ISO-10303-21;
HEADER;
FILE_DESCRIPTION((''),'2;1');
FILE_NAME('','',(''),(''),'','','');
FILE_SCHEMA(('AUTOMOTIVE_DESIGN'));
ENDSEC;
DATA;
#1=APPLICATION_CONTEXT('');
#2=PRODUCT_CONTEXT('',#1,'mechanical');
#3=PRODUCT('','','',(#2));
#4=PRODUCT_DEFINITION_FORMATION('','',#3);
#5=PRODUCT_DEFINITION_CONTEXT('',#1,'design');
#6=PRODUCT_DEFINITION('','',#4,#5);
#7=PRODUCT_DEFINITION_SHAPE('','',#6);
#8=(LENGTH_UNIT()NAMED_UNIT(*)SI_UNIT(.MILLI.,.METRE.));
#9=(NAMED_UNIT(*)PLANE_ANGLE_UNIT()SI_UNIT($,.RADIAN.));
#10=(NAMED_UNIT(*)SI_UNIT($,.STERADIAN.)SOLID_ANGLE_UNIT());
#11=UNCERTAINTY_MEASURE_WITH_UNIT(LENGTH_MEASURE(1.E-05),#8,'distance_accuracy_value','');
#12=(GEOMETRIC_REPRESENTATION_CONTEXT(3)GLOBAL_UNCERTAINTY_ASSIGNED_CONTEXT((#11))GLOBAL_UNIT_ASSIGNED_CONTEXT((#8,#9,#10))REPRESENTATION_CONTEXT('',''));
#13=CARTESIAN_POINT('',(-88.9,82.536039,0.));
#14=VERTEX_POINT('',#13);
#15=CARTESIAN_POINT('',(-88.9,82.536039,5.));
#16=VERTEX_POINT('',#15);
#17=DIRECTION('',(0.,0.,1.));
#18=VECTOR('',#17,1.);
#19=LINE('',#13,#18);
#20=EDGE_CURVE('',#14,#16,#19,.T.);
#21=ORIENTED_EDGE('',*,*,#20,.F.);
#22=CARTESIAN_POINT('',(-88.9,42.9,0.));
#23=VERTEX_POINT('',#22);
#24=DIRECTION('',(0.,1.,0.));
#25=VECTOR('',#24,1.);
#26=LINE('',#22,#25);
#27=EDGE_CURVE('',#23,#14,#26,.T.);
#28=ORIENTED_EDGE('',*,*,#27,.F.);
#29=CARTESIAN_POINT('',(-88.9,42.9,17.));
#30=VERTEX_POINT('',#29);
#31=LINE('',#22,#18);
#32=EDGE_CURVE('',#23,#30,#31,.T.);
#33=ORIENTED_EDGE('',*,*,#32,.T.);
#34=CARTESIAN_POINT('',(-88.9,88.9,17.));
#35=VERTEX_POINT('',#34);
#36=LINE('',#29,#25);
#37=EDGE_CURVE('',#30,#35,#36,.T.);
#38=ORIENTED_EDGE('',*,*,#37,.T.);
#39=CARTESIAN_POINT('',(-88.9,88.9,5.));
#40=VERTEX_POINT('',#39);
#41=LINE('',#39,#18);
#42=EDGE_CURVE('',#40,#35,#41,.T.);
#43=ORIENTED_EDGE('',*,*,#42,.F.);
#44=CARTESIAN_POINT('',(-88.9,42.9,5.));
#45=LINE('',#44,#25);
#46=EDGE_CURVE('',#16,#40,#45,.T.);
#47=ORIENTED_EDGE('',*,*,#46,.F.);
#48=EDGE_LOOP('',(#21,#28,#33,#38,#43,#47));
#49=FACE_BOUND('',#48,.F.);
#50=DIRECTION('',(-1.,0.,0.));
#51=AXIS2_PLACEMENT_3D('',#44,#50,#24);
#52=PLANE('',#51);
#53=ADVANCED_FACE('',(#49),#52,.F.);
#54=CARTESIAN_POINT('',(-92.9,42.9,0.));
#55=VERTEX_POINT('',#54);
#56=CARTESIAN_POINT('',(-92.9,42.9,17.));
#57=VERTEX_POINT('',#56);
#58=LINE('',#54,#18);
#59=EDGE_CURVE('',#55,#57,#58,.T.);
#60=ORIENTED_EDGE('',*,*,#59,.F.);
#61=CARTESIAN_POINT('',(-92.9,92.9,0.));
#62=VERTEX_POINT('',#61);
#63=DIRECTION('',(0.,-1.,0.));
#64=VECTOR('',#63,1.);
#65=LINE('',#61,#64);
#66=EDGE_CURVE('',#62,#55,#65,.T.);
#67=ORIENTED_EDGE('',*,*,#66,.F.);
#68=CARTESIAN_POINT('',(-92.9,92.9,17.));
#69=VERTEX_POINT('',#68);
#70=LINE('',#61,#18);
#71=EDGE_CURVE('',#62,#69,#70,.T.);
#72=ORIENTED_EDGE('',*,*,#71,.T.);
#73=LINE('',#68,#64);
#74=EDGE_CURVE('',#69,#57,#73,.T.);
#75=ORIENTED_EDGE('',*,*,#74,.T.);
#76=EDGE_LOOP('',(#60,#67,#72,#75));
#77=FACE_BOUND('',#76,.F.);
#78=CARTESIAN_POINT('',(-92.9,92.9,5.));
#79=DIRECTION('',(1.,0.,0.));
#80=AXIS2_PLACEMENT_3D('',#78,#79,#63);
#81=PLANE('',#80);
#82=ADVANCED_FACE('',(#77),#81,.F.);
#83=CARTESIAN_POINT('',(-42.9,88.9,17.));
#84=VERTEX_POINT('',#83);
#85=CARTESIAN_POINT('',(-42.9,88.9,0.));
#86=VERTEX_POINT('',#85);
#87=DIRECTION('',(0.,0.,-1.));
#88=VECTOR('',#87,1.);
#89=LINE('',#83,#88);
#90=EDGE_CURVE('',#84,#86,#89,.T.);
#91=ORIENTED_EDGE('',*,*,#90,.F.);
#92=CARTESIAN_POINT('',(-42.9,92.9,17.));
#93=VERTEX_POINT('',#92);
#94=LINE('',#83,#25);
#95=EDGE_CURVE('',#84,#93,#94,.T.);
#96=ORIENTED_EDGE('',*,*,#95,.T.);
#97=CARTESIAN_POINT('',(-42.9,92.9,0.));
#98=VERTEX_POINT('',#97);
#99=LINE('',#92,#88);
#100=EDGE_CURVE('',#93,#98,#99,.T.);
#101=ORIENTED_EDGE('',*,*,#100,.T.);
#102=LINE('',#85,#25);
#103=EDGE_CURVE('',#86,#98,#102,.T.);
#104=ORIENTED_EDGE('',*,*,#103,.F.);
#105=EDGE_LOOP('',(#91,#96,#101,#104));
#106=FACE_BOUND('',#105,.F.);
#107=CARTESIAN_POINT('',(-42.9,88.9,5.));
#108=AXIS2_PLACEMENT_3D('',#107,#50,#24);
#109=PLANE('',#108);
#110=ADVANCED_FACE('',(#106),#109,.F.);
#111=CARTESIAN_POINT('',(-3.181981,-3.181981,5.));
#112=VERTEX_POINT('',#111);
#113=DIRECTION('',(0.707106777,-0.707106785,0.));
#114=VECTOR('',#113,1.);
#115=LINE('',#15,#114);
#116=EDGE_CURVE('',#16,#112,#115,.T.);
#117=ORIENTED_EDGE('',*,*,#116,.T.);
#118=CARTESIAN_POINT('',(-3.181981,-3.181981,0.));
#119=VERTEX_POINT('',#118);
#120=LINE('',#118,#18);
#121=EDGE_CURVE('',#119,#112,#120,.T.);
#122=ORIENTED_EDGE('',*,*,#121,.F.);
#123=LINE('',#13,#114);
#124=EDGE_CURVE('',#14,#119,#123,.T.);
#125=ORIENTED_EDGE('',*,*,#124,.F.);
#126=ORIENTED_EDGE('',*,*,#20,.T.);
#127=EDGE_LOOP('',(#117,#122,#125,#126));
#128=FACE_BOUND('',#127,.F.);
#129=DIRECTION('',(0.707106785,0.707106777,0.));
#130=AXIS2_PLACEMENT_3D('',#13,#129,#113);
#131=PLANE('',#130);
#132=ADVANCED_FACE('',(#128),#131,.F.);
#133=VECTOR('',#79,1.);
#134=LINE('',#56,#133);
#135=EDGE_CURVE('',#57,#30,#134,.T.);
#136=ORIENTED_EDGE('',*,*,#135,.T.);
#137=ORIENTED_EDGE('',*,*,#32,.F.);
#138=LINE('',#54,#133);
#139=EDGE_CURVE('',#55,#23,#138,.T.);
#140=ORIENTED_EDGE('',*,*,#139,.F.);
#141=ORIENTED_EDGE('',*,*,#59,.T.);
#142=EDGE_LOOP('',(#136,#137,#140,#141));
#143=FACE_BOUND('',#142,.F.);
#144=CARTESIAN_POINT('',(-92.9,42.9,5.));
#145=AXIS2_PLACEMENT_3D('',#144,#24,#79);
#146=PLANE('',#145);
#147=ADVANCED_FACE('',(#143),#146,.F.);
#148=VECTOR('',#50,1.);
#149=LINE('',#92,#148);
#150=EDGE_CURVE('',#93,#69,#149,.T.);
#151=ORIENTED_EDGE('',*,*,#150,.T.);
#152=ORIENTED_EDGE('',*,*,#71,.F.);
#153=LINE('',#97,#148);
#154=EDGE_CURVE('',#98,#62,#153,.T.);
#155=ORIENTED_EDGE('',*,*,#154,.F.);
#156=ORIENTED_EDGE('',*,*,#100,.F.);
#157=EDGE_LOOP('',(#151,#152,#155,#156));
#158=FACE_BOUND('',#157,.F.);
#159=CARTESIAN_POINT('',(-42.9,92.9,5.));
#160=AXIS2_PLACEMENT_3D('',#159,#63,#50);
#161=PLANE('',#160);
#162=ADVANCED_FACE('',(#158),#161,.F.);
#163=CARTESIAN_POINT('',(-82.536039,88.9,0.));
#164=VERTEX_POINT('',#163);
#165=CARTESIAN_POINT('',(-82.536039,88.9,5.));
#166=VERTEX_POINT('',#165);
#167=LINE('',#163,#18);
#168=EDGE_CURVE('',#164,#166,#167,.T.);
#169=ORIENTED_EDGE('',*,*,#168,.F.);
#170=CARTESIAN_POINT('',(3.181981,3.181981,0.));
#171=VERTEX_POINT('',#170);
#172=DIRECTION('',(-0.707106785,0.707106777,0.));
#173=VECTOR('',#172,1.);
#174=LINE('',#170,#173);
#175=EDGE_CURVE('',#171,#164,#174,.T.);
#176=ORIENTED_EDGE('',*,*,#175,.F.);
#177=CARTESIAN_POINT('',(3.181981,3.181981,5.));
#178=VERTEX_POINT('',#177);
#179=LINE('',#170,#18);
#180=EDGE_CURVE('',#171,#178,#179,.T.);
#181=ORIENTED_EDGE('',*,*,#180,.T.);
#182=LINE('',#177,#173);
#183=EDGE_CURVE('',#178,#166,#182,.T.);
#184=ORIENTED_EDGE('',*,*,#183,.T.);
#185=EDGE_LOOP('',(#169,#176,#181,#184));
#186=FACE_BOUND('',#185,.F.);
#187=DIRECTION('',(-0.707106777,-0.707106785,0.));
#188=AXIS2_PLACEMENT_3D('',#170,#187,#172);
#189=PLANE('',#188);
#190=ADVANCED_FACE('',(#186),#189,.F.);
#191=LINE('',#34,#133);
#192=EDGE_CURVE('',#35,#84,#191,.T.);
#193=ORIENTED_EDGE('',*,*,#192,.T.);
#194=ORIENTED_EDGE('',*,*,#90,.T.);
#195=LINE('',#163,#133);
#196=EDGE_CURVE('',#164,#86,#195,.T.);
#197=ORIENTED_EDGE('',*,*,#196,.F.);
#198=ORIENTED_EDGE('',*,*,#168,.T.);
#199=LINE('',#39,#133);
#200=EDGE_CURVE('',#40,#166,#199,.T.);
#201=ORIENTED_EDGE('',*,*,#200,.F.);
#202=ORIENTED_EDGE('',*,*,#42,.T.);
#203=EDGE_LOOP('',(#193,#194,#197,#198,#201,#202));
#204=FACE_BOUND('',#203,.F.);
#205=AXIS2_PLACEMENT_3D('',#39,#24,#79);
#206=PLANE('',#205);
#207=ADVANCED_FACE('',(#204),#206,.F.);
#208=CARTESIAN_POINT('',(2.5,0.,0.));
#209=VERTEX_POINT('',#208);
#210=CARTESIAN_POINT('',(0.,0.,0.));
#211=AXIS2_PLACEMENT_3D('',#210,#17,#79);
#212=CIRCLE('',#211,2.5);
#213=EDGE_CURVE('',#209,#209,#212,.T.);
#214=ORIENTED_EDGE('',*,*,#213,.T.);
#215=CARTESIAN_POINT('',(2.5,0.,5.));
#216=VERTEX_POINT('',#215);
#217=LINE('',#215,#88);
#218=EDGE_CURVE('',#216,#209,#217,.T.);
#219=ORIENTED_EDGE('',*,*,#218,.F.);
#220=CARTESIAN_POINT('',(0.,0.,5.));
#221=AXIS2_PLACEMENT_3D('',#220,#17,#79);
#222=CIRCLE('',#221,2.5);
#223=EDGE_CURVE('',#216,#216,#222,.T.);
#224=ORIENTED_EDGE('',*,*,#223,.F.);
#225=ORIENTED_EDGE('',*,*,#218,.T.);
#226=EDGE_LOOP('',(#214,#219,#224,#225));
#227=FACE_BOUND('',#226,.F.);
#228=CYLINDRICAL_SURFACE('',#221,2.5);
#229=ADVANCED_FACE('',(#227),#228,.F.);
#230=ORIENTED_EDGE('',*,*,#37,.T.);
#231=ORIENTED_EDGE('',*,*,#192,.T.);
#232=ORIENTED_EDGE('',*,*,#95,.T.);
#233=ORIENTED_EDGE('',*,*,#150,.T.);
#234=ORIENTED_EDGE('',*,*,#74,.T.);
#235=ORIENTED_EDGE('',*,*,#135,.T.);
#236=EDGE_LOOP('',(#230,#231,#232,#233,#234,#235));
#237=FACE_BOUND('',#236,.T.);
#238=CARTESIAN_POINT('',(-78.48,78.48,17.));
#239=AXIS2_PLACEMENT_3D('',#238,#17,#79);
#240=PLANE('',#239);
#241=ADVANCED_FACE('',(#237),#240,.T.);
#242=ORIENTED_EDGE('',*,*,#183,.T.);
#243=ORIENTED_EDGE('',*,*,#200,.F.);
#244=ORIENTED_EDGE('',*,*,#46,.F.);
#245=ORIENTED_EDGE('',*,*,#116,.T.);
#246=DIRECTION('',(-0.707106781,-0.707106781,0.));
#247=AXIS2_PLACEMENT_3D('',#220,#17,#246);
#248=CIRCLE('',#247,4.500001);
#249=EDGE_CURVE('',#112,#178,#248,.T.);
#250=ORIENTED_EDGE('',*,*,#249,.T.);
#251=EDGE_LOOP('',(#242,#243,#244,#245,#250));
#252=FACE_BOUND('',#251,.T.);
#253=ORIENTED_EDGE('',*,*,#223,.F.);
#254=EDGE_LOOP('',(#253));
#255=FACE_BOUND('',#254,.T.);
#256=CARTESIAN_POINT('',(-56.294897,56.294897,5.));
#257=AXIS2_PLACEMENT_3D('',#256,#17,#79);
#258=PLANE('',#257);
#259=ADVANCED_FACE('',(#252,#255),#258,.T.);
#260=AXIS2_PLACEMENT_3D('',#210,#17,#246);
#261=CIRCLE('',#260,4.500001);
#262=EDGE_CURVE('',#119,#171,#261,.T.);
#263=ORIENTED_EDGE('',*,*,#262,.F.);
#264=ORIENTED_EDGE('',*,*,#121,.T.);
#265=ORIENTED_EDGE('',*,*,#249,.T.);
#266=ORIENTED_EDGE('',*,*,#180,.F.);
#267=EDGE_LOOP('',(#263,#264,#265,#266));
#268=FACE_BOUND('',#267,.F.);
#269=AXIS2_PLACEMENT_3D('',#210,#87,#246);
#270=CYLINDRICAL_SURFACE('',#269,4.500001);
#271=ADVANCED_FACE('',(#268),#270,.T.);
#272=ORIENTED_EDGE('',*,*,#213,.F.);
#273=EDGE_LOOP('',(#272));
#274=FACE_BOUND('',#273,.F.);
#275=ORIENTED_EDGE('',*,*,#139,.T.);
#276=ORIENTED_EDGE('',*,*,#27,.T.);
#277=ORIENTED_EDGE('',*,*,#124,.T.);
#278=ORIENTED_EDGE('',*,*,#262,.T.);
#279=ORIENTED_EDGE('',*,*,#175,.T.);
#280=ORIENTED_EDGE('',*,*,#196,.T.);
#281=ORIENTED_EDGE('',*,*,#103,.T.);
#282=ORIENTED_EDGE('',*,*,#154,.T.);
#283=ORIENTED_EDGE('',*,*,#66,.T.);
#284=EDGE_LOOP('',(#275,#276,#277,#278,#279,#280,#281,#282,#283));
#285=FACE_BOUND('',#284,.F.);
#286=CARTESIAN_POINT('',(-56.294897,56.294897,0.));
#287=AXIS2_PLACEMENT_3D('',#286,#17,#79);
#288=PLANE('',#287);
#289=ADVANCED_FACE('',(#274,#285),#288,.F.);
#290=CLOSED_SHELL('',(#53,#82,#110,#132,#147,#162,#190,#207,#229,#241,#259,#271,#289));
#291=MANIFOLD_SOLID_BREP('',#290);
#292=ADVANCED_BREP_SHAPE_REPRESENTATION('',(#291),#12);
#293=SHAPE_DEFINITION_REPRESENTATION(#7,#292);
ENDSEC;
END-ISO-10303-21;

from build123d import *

# Parameters (mm, degrees)
F1_DEPTH = 5
F3_DEPTH = 12
F4_R     = 2.5
F5_DEPTH = 25


with BuildPart() as f1:
    # F0 (on Top) → F1 (new body)
    with BuildSketch(Plane.XY):
        with BuildLine():
            Line((-92.9, 92.9), (-92.9, 42.9))
            Line((-92.9, 42.9), (-88.9, 42.9))
            Line((-88.9, 42.9), (-88.9, 82.536039))
            Line((-88.9, 82.536039), (-3.181981, -3.181981))
            ThreePointArc((-3.181981, -3.181981), (3.181981, -3.181981), (3.181981, 3.181981))
            Line((3.181981, 3.181981), (-82.536039, 88.9))
            Line((-82.536039, 88.9), (-42.9, 88.9))
            Line((-42.9, 88.9), (-42.9, 92.9))
            Line((-42.9, 92.9), (-92.9, 92.9))
        make_face()
    extrude(amount=F1_DEPTH)

    # F2 (on face) → F3 (join)
    with BuildSketch(Plane.XY.offset(5)):
        Polygon((-42.9, 92.9), (-92.9, 92.9), (-92.9, 42.9), (-88.9, 42.9), (-88.9, 88.9), (-42.9, 88.9), align=None)
    extrude(amount=F3_DEPTH)

    # F4 (on face) → F5 (cut)
    with BuildSketch(Plane.XY.offset(5)):
        Circle(F4_R)
    extrude(amount=-F5_DEPTH, mode=Mode.SUBTRACT)


solid = f1.part
